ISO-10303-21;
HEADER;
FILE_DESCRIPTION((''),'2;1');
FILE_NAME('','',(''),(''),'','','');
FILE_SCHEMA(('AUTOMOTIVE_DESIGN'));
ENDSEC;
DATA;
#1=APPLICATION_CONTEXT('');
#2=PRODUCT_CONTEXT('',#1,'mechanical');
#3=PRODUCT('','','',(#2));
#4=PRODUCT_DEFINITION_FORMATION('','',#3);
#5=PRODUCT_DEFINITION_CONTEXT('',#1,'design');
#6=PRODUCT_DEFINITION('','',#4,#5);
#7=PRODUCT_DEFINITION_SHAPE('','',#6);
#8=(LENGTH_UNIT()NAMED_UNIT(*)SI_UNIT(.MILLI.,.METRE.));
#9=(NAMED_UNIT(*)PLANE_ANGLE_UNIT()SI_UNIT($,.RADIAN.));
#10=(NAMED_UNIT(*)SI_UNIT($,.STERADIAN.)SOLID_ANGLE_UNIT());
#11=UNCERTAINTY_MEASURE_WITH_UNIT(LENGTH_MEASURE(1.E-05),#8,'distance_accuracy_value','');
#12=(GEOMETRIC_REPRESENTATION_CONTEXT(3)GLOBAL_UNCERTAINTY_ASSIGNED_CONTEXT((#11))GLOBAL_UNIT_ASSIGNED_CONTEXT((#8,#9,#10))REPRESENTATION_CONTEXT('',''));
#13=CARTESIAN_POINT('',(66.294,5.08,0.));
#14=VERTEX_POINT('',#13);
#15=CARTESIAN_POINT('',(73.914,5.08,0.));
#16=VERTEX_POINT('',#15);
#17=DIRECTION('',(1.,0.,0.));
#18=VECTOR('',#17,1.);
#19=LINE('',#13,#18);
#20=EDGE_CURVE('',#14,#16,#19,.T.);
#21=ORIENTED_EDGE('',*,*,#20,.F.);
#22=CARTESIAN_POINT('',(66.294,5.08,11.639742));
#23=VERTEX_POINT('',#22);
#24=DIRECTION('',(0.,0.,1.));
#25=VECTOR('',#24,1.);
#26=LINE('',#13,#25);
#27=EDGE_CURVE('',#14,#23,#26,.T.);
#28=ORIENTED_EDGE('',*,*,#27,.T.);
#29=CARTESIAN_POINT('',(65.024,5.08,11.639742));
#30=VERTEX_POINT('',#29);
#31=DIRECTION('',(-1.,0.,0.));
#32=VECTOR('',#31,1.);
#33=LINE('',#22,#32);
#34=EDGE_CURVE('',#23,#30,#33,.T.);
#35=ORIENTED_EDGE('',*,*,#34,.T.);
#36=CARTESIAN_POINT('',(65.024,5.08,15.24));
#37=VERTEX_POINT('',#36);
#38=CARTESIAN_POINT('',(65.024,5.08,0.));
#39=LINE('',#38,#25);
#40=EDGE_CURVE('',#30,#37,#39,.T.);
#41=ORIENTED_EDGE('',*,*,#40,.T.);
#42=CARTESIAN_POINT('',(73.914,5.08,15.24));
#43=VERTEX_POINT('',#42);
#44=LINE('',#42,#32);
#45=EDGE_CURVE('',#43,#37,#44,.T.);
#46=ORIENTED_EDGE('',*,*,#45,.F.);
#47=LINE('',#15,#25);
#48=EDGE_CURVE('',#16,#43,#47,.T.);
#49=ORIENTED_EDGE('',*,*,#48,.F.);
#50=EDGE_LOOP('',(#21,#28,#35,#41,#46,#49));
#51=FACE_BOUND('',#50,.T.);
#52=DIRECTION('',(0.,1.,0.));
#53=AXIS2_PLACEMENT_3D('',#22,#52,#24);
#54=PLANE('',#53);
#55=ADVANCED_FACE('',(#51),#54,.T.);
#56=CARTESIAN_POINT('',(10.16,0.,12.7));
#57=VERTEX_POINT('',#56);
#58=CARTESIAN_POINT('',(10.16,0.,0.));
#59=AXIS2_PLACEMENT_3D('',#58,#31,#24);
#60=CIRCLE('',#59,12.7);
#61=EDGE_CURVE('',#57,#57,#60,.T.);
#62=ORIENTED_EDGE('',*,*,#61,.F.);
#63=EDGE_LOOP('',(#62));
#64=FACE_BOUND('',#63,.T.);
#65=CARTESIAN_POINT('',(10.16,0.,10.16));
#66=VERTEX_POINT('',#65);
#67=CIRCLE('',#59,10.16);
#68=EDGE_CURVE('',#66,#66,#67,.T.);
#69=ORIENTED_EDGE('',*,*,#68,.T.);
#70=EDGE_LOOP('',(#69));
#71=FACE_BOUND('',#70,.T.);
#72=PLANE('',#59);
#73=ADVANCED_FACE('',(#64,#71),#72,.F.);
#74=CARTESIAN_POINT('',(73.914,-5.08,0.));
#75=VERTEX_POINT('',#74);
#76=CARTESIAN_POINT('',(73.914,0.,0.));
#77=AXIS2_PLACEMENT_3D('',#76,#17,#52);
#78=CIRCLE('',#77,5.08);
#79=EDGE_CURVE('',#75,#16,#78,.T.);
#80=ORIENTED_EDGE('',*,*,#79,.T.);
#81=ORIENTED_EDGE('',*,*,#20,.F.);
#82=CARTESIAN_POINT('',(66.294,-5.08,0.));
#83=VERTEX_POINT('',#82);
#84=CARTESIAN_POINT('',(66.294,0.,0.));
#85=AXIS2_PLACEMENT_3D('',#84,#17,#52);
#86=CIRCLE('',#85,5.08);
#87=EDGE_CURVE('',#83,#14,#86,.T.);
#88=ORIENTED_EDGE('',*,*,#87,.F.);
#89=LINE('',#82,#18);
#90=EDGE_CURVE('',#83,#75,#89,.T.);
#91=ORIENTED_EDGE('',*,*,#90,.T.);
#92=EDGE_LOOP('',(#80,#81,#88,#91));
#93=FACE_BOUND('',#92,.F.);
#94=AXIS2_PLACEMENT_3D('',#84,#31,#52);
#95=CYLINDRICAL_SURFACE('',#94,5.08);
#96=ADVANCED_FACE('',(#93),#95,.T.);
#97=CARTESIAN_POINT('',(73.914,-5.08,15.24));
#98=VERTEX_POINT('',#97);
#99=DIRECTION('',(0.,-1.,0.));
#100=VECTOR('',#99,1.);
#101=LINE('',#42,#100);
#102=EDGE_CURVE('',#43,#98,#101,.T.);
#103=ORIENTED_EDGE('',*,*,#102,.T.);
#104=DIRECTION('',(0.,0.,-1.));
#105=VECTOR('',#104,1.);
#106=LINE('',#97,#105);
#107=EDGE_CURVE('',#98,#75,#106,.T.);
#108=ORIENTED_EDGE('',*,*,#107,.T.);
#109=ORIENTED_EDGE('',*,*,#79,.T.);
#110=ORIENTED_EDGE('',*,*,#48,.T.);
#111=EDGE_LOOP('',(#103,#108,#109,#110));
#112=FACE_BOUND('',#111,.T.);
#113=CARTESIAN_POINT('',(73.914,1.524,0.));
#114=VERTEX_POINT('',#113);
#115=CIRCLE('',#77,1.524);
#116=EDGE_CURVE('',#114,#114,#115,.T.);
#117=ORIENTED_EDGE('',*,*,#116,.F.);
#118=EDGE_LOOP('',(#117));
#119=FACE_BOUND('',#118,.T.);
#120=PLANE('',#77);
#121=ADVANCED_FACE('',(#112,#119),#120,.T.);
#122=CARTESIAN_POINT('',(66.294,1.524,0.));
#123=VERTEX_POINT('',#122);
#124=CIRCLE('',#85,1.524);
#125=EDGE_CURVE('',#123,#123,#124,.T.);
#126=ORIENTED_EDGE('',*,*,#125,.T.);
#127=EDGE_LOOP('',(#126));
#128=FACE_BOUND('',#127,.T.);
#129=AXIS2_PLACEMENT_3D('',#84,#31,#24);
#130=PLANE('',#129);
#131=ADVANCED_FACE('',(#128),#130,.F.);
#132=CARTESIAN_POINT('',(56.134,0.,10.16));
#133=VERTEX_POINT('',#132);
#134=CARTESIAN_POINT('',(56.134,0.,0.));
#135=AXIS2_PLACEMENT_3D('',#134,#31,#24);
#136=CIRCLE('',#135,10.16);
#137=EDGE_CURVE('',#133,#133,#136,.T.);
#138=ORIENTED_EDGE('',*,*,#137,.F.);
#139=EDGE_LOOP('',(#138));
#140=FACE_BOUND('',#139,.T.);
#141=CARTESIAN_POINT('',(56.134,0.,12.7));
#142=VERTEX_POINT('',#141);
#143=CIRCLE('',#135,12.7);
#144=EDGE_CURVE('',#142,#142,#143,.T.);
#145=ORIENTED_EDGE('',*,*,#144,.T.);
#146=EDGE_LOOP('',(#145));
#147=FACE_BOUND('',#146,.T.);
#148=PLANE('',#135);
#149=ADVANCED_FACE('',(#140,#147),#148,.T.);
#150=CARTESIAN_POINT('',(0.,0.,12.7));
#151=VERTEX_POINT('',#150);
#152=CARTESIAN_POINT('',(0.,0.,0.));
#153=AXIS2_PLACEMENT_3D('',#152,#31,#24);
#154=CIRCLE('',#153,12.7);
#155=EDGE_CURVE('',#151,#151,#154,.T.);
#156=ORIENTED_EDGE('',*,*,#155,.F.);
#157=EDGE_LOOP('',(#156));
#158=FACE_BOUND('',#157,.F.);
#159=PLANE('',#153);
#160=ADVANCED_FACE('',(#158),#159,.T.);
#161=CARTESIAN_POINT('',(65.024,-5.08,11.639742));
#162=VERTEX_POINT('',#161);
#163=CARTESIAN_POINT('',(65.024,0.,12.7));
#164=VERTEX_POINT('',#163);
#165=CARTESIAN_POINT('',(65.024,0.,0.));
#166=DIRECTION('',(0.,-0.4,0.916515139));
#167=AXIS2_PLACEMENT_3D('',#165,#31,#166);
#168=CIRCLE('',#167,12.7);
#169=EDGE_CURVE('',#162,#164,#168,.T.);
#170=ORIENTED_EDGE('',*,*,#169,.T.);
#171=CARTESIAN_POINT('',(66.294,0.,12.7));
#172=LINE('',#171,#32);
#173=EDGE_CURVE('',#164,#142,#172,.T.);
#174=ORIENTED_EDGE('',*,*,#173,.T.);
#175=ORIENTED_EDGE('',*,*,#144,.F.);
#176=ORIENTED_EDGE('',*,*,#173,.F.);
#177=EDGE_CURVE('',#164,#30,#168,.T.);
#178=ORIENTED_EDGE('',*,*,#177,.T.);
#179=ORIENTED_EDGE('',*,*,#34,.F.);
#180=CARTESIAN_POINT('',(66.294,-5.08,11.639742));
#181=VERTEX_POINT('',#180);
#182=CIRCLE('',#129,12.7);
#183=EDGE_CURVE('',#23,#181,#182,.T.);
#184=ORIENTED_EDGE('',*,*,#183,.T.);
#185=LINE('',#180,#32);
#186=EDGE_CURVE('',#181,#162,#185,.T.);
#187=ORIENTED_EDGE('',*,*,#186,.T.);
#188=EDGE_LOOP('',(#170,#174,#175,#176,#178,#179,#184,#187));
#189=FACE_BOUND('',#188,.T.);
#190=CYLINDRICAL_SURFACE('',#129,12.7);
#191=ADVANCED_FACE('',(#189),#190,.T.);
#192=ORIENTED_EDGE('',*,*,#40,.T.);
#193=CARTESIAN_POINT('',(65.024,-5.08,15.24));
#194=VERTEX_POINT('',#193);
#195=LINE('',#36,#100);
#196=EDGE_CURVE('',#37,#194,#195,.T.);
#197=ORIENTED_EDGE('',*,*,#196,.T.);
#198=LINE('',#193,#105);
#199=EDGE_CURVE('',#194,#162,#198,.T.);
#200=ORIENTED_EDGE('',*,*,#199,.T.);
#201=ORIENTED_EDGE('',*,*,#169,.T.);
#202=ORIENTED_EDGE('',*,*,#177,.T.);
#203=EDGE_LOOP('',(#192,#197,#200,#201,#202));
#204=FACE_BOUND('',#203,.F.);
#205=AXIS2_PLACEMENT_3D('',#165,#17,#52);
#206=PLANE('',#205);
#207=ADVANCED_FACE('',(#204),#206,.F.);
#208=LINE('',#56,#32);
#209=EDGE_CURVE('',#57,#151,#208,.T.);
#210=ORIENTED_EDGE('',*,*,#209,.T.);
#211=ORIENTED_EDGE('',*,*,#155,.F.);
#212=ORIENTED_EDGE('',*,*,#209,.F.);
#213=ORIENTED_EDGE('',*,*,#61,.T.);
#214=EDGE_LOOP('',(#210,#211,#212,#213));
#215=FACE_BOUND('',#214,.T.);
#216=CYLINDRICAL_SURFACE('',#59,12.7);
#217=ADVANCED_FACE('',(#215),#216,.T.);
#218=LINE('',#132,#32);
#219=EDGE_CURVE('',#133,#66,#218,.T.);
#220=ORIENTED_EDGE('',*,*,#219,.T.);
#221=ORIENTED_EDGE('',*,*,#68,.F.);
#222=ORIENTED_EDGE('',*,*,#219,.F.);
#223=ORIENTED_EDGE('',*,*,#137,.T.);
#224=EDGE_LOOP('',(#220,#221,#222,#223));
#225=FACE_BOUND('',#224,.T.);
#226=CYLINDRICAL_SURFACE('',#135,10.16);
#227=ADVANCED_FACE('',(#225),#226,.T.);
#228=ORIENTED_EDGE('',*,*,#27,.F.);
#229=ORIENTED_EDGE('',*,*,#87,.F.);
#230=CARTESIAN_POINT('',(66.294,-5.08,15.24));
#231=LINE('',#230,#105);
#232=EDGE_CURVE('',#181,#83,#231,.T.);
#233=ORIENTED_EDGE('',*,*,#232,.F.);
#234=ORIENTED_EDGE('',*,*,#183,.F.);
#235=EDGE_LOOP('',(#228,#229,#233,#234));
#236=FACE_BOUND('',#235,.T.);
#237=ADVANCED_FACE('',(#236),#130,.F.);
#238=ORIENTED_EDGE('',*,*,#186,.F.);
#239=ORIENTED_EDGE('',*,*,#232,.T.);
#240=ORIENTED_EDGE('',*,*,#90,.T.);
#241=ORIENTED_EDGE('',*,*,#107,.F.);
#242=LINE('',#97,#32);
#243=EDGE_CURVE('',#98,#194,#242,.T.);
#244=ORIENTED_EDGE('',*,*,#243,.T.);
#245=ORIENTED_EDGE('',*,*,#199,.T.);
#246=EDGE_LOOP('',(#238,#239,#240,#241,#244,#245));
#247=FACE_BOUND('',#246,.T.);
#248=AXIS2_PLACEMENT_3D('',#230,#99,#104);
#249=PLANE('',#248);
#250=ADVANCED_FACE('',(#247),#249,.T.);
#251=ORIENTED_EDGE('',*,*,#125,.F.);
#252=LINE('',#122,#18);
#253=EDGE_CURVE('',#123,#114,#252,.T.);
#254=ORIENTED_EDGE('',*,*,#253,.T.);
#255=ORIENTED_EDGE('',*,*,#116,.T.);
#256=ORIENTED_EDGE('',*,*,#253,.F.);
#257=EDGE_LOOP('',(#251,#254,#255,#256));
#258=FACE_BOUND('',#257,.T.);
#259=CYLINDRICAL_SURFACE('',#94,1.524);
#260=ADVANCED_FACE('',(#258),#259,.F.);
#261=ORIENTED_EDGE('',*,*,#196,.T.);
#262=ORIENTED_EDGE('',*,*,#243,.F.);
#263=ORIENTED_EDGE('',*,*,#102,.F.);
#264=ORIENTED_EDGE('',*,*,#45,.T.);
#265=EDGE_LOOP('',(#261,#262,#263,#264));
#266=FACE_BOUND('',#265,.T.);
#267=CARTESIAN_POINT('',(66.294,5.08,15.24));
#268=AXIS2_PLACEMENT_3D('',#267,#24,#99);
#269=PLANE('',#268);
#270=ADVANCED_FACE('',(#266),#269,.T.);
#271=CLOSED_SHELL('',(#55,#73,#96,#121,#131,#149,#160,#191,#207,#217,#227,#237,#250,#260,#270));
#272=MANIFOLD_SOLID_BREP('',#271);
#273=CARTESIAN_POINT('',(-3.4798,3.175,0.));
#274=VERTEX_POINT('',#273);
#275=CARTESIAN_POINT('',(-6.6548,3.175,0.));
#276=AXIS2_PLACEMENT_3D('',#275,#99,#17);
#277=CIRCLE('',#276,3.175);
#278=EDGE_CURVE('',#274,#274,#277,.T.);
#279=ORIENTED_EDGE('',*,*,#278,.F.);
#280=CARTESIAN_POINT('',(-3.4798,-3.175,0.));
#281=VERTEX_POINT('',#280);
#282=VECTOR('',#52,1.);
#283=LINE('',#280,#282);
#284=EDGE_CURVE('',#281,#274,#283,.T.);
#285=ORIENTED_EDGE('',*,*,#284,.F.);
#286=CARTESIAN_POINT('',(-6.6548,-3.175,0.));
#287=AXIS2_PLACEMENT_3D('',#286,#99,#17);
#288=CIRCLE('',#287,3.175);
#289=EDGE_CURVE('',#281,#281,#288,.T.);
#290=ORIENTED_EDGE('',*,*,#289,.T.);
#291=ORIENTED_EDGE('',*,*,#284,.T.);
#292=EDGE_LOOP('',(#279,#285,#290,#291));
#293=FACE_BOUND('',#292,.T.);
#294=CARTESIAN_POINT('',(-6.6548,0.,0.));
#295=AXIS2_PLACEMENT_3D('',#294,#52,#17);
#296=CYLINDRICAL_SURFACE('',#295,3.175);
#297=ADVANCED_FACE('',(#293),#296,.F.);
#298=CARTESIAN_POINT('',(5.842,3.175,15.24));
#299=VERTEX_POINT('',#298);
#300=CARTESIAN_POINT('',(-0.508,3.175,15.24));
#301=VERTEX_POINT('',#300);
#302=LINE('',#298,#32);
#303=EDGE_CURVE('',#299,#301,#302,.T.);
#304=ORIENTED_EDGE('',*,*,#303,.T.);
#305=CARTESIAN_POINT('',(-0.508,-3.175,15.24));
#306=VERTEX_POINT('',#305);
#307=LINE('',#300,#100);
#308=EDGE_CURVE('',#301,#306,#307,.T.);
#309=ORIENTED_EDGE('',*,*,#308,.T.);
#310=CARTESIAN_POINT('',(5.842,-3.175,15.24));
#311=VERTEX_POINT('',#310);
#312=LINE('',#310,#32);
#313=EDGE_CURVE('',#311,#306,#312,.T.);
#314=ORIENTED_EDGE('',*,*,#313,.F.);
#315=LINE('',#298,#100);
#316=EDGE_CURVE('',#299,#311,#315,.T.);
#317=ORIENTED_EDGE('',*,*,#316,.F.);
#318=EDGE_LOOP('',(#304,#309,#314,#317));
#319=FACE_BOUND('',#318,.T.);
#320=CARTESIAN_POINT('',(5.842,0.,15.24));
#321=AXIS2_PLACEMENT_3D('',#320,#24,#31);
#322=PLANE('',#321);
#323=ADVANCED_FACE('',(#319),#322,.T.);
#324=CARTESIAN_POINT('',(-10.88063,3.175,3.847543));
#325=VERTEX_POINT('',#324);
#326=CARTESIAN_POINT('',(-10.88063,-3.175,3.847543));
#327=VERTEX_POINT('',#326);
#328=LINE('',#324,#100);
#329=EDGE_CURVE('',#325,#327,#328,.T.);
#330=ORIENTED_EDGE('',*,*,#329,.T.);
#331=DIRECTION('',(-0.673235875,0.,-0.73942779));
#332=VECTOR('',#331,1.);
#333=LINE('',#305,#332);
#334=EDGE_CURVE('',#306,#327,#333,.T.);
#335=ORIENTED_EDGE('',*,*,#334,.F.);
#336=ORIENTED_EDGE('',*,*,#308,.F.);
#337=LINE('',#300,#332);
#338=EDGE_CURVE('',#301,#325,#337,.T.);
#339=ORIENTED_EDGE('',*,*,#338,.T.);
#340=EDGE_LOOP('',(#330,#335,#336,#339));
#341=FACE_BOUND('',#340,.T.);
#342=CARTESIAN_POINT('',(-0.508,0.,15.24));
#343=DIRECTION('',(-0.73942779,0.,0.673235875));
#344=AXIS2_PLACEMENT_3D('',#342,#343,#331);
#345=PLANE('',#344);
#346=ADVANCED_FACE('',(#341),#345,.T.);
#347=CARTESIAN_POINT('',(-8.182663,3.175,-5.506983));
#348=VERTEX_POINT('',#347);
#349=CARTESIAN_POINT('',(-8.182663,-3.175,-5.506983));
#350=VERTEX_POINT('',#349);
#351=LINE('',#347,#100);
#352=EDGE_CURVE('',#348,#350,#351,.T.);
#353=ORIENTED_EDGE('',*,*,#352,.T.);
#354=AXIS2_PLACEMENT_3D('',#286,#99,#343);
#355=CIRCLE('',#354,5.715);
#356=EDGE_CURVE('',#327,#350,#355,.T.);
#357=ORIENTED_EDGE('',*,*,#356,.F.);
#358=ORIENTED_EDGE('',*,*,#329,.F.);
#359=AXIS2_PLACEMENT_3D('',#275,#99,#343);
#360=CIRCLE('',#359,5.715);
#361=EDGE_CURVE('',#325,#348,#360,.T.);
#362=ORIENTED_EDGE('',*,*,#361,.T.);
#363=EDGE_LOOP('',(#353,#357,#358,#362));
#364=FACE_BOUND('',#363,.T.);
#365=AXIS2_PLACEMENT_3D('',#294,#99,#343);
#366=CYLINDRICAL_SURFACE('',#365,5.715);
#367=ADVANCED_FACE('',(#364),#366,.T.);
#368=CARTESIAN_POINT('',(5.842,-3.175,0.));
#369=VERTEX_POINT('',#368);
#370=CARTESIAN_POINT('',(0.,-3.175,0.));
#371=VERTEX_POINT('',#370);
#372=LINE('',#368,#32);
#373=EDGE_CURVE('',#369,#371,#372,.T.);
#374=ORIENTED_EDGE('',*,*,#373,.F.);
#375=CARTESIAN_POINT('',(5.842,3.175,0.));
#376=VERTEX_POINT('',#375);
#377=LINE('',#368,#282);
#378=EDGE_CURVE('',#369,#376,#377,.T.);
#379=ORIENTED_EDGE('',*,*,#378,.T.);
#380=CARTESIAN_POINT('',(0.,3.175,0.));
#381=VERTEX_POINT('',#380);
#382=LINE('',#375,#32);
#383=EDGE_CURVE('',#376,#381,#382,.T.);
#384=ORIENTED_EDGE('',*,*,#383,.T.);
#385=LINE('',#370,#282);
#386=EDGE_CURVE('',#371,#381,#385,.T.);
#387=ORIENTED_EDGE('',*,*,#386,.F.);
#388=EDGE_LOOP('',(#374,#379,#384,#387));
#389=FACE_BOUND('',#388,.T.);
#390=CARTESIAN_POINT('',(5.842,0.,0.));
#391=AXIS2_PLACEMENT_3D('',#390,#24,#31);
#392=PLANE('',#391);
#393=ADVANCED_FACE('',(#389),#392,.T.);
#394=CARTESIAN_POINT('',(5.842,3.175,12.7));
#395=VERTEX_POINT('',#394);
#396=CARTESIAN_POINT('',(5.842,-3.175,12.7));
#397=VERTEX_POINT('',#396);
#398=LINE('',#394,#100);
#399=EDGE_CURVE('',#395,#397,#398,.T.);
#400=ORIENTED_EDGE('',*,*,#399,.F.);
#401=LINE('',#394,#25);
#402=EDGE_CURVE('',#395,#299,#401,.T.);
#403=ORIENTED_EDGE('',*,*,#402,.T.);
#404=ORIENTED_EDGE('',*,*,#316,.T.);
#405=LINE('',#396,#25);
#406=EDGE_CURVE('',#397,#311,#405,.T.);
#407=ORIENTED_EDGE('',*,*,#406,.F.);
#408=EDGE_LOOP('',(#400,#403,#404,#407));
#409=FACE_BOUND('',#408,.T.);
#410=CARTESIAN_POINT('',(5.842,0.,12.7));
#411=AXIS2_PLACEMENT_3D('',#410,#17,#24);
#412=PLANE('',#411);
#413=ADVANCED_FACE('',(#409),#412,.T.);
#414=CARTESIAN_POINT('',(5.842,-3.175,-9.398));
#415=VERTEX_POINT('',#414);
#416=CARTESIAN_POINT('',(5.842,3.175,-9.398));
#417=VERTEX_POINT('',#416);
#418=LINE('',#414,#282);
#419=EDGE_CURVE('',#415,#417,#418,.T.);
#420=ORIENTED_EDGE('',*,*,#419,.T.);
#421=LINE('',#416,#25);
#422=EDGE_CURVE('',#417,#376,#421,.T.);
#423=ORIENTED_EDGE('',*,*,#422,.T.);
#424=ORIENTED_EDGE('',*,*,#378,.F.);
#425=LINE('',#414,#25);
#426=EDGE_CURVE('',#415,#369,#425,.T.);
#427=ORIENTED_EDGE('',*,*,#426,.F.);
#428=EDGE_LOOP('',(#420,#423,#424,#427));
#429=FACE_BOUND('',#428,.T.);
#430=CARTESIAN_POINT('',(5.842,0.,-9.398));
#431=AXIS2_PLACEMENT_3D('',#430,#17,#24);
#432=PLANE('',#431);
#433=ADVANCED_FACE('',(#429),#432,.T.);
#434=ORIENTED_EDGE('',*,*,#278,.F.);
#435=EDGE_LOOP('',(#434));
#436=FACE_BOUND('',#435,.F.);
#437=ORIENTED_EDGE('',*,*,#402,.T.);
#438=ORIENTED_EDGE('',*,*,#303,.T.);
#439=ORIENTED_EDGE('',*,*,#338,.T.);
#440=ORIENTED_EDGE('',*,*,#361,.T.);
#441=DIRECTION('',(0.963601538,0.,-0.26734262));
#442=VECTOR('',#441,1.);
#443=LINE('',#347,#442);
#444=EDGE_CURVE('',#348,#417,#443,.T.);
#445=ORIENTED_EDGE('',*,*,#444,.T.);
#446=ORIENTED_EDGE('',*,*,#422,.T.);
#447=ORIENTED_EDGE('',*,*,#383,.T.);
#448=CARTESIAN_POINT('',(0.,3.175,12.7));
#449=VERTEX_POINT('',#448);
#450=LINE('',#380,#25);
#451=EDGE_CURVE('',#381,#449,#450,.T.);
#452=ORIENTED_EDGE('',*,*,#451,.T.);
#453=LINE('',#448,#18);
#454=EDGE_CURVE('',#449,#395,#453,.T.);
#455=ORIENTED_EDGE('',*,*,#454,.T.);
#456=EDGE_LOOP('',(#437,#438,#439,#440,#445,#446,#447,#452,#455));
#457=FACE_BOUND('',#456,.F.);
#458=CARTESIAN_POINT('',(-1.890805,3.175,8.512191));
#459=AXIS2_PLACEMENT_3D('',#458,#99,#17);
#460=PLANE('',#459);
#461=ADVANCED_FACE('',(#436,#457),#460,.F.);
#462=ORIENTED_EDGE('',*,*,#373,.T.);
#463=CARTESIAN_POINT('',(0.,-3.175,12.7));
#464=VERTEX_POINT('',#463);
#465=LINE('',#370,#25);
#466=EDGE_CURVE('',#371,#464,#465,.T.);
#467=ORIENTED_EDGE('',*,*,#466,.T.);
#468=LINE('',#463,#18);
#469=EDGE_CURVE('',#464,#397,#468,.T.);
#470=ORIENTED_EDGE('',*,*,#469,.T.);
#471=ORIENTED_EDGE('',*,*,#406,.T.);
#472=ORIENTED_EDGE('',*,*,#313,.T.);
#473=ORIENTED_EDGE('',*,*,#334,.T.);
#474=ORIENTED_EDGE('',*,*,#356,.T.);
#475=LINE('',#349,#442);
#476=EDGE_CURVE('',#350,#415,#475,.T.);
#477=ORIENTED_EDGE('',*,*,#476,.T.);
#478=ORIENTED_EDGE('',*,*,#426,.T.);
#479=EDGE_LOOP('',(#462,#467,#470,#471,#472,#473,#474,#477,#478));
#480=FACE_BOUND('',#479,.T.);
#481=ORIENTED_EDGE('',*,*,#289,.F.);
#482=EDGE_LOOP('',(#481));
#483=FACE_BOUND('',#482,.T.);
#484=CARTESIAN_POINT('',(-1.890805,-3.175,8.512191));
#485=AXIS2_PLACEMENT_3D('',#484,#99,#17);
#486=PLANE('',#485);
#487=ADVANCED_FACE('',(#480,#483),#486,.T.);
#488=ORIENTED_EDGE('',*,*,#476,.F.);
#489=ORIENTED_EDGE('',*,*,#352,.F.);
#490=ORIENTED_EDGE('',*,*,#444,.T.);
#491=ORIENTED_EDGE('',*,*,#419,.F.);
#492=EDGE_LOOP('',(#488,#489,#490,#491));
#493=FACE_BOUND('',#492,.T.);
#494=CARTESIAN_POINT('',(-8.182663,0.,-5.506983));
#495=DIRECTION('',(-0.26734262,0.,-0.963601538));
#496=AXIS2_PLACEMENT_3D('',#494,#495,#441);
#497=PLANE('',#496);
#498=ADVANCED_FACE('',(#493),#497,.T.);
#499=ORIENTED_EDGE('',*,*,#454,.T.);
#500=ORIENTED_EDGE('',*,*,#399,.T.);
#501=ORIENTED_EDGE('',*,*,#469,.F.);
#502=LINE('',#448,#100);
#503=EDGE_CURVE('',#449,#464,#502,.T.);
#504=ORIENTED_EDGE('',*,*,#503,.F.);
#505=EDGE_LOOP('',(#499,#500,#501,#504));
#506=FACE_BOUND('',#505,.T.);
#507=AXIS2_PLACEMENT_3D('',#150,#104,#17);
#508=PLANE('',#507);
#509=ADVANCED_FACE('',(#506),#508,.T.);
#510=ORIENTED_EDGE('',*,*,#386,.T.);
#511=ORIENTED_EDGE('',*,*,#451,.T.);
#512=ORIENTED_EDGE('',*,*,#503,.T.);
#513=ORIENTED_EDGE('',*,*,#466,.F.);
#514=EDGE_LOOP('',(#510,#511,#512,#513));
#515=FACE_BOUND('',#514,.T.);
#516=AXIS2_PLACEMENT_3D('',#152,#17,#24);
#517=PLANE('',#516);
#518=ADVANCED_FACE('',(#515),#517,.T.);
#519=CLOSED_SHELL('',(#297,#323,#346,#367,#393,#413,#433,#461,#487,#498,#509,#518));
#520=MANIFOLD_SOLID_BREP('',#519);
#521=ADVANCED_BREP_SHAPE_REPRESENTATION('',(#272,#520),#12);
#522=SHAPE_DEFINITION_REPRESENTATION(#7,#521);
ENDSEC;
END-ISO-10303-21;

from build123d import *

# Parameters (mm, degrees)
F0_W     = 5.842
F0_H     = 12.7
F0_R     = 3.175
F2_DEPTH = 3.175
F3_R     = 1.524
F4_DEPTH = 7.62
F5_DEPTH = 1.27


with BuildPart() as f1:
    # F0 (on Front) → F1 (revolve)
    with BuildSketch(Plane.XZ):
        Polygon((5.842, 12.7), (5.842, 0), (66.294, 0), (66.294, 12.7), (56.134, 12.7), (56.134, 10.16), (10.16, 10.16), (10.16, 12.7), align=None)
        with Locations((2.921, 6.35)):
            Rectangle(F0_W, F0_H)
    revolve(axis=Axis((33.147, 0, 0), (-1, 0, 0)))

    # F3 (on face) → F4 (join)
    with BuildSketch(Plane.YZ.offset(66.294)):
        with BuildLine():
            ThreePointArc((-5.08, 0), (0, -5.08), (5.08, 0))
            ThreePointArc((5.08, 0), (0, 5.08), (-5.08, 0))
        make_face()
        Circle(F3_R, mode=Mode.SUBTRACT)
        with BuildLine():
            ThreePointArc((-5.08, 0), (0, 5.08), (5.08, 0))
            Line((5.08, 0), (5.08, 15.24))
            Line((5.08, 15.24), (-5.08, 15.24))
            Line((-5.08, 15.24), (-5.08, 0))
        make_face()
    extrude(amount=F4_DEPTH)

    # F5 (add): a face of the model
    f5_faces = [f1.faces().sort_by_distance(p)[0] for p in [
        (66.294, 0, 13.7792682875),
    ]]
    extrude(f5_faces, amount=F5_DEPTH)


with BuildPart() as f2:
    # F0 (on Front) → F2 (new body, symmetric)
    with BuildSketch(Plane.XZ):
        with BuildLine():
            Line((-0.9398, 0), (0, 0))
            Line((0, 0), (0, 12.7))
            Line((0, 12.7), (5.842, 12.7))
            Line((5.842, 12.7), (5.842, 15.24))
            Line((5.842, 15.24), (-0.508, 15.24))
            Line((-0.508, 15.24), (-10.8806298187, 3.8475430269))
            ThreePointArc((-10.8806298187, 3.8475430269), (-4.5919612295, 5.3297205562), (-0.9398, 0))
        make_face()
        with BuildLine():
            ThreePointArc((-8.1826630726, -5.5069827884), (-3.1957909266, -4.5493385486), (-0.9398, 0))
            ThreePointArc((-0.9398, 0), (-4.5919612295, 5.3297205562), (-10.8806298187, 3.8475430269))
            ThreePointArc((-10.8806298187, 3.8475430269), (-12.1459778134, -1.5837270034), (-8.1826630726, -5.5069827884))
        make_face()
        with Locations((-6.6548, 0)):
            Circle(F0_R, mode=Mode.SUBTRACT)
        with BuildLine():
            Line((5.842, 0), (0, 0))
            Line((0, 0), (-0.9398, 0))
            ThreePointArc((-0.9398, 0), (-3.1957909266, -4.5493385486), (-8.1826630726, -5.5069827884))
            Line((-8.1826630726, -5.5069827884), (5.842, -9.398))
            Line((5.842, -9.398), (5.842, 0))
        make_face()
    extrude(amount=F2_DEPTH, both=True)


solid = Compound([f1.part, f2.part])
